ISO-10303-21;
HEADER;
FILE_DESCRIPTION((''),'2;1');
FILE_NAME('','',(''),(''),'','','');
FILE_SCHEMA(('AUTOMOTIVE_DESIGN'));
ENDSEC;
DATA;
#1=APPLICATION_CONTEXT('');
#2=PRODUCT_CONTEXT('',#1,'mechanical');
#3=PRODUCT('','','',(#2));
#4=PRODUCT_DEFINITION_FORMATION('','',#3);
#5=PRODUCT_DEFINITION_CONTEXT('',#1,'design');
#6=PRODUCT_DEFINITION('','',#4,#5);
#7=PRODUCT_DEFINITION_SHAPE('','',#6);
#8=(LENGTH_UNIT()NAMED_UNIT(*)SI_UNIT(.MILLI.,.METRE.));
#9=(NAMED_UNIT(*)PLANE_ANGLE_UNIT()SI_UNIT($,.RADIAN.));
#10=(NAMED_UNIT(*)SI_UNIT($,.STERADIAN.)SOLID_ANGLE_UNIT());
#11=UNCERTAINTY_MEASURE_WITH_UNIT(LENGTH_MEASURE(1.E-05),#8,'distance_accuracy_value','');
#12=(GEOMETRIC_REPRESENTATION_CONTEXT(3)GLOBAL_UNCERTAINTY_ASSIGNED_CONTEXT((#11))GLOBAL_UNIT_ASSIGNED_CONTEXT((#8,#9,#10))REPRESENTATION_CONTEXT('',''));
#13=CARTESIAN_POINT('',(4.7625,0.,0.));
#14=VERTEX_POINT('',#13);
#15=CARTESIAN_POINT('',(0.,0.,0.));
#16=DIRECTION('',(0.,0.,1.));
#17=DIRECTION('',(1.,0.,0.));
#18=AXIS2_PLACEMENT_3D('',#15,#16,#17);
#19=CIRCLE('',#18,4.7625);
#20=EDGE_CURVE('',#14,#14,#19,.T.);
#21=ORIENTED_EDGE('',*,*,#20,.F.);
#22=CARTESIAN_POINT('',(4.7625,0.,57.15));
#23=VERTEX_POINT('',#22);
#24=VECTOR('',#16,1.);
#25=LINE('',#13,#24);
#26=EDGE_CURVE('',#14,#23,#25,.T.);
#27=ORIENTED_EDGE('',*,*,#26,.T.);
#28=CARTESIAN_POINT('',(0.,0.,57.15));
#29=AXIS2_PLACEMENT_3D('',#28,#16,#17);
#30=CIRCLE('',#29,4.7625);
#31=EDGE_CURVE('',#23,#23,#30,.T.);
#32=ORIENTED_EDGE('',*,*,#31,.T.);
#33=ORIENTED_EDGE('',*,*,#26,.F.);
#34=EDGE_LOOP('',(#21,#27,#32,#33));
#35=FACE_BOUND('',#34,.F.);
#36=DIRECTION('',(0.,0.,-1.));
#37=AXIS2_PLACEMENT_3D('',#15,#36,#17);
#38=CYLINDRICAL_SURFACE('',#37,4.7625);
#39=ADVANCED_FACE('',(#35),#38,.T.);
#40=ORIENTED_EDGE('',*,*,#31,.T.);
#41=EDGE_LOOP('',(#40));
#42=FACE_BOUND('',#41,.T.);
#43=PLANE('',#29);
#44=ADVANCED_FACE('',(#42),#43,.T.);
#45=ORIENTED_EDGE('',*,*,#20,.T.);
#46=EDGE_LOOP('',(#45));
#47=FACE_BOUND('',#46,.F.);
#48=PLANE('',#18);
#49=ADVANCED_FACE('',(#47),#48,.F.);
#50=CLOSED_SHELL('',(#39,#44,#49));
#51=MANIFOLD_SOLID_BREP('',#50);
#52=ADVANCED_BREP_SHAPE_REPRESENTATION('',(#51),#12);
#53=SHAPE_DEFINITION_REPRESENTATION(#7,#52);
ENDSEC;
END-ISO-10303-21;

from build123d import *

# Parameters (mm, degrees)
SKETCH1_R           = 4.7625
BOSS_EXTRUDE1_DEPTH = 57.15


with BuildPart() as part:
    # Sketch1 → Boss-Extrude1 (new body)
    with BuildSketch(Plane.XY):
        Circle(SKETCH1_R)
    extrude(amount=BOSS_EXTRUDE1_DEPTH)


solid = part.part
